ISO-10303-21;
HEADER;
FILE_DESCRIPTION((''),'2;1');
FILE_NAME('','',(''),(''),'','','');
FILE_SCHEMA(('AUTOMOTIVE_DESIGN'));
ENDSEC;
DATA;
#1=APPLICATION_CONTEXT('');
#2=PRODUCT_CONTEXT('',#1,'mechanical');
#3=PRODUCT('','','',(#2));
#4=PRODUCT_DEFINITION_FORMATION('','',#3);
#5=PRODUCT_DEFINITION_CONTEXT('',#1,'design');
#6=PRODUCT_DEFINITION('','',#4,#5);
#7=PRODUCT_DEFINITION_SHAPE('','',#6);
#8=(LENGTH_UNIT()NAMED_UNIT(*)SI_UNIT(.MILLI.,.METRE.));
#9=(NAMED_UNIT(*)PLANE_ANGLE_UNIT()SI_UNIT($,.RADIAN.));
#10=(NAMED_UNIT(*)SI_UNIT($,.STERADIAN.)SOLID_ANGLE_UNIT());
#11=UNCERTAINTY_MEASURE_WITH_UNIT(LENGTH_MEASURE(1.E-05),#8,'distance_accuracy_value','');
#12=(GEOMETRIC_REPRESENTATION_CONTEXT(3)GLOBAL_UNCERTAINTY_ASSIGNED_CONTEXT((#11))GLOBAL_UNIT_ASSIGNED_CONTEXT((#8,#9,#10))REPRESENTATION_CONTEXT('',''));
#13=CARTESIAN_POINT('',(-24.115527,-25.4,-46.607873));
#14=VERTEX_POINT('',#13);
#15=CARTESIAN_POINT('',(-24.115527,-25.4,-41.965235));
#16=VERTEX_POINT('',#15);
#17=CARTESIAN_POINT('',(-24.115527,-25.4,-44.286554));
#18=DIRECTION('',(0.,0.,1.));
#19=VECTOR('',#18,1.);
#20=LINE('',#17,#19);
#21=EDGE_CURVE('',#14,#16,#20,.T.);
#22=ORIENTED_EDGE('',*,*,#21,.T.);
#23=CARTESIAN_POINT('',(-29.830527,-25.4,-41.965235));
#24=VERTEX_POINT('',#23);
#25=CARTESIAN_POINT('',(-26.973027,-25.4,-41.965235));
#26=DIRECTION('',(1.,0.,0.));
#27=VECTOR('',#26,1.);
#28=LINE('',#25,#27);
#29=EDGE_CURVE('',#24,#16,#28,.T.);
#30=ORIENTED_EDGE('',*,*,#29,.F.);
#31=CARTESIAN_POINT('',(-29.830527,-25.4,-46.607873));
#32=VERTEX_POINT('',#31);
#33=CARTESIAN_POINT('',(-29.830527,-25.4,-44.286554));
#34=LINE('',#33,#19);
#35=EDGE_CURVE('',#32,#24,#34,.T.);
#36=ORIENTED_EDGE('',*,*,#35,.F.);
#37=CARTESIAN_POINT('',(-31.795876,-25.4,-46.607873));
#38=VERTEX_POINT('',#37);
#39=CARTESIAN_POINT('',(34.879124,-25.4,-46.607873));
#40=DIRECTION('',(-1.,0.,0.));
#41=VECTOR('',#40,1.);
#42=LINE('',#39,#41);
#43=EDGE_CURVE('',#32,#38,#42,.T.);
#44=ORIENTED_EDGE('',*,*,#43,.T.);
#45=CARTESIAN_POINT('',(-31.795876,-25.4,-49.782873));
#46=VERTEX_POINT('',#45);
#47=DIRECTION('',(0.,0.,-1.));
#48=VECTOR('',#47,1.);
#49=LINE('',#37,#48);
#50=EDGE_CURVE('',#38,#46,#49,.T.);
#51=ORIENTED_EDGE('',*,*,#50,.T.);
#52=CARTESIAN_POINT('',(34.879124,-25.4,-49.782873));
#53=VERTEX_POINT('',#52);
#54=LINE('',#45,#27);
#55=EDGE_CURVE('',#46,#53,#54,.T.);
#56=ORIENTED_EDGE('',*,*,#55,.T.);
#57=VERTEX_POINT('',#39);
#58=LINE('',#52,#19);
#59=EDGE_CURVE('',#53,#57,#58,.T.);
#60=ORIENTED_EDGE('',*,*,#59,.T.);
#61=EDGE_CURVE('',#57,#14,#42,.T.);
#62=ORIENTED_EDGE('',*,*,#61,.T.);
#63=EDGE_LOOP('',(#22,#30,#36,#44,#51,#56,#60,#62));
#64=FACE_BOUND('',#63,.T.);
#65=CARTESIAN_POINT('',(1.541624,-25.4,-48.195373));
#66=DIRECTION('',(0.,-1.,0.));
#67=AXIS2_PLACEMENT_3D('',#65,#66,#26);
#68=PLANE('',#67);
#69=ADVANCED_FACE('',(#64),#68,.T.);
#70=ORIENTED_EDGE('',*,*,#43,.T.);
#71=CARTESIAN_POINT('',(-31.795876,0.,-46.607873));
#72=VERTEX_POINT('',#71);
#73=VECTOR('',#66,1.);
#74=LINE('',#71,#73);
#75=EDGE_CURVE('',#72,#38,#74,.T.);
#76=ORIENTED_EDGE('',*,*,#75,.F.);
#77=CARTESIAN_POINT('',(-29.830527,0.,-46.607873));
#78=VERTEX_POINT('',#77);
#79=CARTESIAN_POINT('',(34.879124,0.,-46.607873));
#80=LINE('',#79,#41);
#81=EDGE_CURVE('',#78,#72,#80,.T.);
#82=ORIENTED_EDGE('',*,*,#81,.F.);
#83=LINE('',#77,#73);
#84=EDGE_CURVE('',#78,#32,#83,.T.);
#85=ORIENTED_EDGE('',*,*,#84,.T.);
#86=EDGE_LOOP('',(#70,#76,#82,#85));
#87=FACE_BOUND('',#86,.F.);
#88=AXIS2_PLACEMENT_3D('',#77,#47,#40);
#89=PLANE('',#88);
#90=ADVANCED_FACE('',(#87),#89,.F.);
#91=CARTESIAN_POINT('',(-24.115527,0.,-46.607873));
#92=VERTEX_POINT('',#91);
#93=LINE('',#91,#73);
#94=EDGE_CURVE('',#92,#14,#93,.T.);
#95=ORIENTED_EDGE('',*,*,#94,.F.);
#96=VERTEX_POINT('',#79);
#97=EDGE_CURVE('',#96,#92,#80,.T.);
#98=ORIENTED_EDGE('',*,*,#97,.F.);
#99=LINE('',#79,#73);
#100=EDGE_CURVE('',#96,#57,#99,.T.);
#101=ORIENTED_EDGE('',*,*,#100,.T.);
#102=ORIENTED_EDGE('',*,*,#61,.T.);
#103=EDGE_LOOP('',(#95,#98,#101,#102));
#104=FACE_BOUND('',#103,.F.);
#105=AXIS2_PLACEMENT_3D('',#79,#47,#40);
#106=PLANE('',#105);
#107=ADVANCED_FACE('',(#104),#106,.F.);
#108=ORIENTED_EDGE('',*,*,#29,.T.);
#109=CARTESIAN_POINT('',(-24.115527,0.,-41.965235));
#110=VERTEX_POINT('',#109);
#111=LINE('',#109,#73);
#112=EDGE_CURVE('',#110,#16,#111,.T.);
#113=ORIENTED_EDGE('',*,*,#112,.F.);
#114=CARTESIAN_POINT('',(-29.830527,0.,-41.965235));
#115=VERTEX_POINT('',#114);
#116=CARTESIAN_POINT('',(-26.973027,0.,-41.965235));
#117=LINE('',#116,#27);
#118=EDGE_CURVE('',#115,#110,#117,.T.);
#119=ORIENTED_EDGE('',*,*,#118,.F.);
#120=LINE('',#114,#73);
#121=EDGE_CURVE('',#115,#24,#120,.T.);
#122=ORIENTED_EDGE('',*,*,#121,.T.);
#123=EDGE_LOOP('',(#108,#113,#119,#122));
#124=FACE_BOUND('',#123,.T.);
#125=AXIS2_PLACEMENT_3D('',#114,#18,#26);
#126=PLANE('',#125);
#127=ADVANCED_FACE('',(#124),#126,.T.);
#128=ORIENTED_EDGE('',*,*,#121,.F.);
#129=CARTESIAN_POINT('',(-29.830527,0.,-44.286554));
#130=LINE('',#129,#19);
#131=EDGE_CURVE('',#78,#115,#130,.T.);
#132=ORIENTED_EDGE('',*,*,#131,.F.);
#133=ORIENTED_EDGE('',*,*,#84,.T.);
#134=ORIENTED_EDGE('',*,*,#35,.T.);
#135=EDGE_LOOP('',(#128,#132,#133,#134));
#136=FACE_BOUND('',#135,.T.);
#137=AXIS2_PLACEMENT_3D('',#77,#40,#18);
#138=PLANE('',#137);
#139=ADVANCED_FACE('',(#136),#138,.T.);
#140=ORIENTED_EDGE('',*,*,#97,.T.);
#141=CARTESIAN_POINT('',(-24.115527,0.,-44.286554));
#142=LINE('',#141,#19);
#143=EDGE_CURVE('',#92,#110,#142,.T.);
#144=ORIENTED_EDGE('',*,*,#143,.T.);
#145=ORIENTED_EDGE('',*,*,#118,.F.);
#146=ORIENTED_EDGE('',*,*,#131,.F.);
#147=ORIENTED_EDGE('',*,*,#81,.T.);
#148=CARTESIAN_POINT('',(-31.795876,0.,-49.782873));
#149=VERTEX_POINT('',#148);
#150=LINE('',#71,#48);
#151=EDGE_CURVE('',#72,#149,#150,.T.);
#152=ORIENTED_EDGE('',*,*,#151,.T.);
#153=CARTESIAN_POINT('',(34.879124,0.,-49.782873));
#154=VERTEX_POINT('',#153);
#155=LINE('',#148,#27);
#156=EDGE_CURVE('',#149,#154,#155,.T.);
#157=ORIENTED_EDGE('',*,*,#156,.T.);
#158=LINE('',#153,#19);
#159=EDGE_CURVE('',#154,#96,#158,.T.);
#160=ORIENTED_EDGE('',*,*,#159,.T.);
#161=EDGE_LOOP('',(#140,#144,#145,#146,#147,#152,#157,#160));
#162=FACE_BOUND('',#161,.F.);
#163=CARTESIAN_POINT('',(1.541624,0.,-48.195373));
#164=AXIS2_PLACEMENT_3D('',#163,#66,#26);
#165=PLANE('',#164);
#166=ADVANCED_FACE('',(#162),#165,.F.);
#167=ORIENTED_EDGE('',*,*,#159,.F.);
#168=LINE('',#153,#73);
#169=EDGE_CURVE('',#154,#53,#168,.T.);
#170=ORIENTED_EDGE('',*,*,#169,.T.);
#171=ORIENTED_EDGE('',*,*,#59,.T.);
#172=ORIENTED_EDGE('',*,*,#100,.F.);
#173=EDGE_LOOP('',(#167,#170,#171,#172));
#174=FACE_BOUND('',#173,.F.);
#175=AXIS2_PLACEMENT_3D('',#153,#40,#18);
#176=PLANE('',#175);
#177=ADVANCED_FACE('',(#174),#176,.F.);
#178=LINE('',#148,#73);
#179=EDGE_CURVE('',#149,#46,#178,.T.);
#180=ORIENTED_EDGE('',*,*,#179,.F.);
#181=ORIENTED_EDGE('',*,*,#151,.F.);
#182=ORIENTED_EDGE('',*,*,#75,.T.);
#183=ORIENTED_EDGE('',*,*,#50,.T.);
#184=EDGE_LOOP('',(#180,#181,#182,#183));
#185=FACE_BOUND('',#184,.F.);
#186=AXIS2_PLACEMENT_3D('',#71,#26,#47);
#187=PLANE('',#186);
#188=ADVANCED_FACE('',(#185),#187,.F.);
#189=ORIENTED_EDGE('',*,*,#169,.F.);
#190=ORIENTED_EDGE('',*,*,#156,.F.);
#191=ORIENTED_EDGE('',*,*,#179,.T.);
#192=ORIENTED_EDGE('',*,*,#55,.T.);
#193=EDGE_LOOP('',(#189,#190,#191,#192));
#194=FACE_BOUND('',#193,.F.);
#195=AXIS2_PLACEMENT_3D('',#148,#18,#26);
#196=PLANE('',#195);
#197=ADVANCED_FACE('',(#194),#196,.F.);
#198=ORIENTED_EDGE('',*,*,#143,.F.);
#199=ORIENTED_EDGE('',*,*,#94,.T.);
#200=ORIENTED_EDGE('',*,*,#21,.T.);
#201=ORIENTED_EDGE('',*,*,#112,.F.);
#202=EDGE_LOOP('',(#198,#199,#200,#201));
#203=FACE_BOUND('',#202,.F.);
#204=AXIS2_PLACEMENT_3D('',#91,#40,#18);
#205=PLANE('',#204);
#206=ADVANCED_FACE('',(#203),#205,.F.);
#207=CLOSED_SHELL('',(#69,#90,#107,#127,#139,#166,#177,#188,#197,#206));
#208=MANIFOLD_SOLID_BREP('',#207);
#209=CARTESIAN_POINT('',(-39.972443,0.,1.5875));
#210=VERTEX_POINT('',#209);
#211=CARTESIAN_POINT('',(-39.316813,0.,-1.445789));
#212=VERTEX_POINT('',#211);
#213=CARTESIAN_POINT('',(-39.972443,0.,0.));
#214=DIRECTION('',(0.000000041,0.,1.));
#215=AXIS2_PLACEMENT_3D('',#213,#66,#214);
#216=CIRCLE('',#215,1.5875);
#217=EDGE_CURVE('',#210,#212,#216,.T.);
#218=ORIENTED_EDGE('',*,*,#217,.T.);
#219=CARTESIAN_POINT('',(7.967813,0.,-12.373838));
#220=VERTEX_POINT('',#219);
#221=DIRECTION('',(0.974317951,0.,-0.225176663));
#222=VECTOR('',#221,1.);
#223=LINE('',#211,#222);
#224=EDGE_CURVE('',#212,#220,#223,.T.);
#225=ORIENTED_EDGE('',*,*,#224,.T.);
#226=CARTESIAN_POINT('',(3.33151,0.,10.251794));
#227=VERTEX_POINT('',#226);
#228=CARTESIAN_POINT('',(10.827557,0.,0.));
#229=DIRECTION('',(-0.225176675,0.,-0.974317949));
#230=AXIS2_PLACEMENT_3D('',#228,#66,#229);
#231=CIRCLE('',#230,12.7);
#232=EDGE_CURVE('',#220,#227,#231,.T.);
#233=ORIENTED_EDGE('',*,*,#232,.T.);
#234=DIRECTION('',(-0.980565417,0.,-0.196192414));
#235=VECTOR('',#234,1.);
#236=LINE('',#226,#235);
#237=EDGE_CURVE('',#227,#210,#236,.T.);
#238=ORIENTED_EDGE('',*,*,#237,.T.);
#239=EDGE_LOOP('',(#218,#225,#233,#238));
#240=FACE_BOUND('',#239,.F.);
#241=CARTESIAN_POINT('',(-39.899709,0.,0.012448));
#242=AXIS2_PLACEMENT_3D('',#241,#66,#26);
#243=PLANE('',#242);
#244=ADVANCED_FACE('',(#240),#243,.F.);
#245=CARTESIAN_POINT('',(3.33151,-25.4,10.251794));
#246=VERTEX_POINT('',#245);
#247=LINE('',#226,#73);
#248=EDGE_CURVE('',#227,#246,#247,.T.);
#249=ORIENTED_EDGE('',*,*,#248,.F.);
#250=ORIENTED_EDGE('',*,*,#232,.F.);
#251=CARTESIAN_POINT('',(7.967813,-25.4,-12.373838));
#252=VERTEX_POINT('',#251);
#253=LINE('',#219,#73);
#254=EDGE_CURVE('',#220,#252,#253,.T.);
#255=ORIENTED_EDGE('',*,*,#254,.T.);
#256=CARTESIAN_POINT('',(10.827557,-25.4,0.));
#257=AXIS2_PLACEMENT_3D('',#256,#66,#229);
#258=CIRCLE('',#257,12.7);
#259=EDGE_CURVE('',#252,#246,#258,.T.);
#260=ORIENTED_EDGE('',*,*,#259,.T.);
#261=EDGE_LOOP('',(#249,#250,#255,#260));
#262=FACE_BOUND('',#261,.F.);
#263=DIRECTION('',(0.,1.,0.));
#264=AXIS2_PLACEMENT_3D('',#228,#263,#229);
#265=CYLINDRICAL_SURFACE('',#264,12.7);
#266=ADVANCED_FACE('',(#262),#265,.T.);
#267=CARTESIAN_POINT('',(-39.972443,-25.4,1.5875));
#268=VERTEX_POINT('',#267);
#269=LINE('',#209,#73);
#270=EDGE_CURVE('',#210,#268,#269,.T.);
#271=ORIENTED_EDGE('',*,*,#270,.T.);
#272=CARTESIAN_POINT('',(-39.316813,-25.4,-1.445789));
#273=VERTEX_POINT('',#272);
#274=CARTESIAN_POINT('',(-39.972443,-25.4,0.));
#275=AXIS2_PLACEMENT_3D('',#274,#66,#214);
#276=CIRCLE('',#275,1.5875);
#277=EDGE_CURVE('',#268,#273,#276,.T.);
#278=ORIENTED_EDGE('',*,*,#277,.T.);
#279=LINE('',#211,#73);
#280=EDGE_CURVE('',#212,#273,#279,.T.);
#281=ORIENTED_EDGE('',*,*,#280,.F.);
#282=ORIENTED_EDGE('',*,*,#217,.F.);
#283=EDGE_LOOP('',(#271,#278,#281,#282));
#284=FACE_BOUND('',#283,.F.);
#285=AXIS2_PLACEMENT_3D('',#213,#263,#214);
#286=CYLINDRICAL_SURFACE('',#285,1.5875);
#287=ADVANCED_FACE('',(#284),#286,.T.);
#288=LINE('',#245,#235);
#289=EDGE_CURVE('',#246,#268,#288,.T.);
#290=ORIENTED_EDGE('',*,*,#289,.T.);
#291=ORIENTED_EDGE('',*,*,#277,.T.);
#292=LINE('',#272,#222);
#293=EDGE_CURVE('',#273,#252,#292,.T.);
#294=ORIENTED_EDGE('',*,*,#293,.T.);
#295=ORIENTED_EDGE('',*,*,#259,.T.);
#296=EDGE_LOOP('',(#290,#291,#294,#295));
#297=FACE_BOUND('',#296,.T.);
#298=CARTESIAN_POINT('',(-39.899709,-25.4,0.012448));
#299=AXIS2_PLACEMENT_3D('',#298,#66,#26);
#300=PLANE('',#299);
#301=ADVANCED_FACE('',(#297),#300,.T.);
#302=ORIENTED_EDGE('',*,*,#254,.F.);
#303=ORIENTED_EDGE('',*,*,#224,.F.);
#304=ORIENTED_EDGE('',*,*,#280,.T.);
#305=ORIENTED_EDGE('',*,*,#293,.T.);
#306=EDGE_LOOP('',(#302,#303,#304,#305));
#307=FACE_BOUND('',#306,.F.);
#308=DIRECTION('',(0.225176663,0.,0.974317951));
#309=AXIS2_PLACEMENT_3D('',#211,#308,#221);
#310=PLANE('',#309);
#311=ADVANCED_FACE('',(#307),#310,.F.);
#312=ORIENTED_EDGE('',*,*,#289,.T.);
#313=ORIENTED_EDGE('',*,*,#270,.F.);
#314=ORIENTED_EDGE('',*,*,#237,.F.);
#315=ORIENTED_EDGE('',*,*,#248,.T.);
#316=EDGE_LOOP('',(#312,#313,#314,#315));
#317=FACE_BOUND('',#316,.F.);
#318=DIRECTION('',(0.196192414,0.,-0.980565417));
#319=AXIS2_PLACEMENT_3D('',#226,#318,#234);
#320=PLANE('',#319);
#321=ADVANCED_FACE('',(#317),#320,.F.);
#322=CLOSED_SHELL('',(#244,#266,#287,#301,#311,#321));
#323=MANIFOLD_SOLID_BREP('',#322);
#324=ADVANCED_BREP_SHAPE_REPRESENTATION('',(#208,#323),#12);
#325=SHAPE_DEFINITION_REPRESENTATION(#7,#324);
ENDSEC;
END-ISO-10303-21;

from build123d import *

# Parameters (mm, degrees)
F0_W     = 5.715
F0_H     = 4.642638
F1_DEPTH = 25.4


with BuildPart() as f1:
    # F0 (on Front) → F1 (new body)
    with BuildSketch(Plane.XZ):
        Polygon((-29.830527, -46.607873), (-31.795876, -46.607873), (-31.795876, -49.782873), (34.879124, -49.782873), (34.879124, -46.607873), (-24.115527, -46.607873), align=None)
        with Locations((-26.973027, -44.286554)):
            Rectangle(F0_W, F0_H)
        with BuildLine():
            ThreePointArc((-39.972443, 1.5875), (-41.524111, -0.335385), (-39.316813, -1.445789))
            ThreePointArc((-39.316813, -1.445789), (-38.638095, -0.860042), (-38.384943, 0))
            ThreePointArc((-38.384943, 0), (-38.849911, 1.122532), (-39.972443, 1.5875))
        make_face()
        with BuildLine():
            Line((-39.316813, -1.445789), (7.967813, -12.373838))
            ThreePointArc((7.967813, -12.373838), (23.269036, 2.54943), (3.33151, 10.251794))
            Line((3.33151, 10.251794), (-39.972443, 1.5875))
            ThreePointArc((-39.972443, 1.5875), (-38.849911, 1.122532), (-38.384943, 0))
            ThreePointArc((-38.384943, 0), (-38.638095, -0.860042), (-39.316813, -1.445789))
        make_face()
    extrude(amount=F1_DEPTH)


solid = f1.part
